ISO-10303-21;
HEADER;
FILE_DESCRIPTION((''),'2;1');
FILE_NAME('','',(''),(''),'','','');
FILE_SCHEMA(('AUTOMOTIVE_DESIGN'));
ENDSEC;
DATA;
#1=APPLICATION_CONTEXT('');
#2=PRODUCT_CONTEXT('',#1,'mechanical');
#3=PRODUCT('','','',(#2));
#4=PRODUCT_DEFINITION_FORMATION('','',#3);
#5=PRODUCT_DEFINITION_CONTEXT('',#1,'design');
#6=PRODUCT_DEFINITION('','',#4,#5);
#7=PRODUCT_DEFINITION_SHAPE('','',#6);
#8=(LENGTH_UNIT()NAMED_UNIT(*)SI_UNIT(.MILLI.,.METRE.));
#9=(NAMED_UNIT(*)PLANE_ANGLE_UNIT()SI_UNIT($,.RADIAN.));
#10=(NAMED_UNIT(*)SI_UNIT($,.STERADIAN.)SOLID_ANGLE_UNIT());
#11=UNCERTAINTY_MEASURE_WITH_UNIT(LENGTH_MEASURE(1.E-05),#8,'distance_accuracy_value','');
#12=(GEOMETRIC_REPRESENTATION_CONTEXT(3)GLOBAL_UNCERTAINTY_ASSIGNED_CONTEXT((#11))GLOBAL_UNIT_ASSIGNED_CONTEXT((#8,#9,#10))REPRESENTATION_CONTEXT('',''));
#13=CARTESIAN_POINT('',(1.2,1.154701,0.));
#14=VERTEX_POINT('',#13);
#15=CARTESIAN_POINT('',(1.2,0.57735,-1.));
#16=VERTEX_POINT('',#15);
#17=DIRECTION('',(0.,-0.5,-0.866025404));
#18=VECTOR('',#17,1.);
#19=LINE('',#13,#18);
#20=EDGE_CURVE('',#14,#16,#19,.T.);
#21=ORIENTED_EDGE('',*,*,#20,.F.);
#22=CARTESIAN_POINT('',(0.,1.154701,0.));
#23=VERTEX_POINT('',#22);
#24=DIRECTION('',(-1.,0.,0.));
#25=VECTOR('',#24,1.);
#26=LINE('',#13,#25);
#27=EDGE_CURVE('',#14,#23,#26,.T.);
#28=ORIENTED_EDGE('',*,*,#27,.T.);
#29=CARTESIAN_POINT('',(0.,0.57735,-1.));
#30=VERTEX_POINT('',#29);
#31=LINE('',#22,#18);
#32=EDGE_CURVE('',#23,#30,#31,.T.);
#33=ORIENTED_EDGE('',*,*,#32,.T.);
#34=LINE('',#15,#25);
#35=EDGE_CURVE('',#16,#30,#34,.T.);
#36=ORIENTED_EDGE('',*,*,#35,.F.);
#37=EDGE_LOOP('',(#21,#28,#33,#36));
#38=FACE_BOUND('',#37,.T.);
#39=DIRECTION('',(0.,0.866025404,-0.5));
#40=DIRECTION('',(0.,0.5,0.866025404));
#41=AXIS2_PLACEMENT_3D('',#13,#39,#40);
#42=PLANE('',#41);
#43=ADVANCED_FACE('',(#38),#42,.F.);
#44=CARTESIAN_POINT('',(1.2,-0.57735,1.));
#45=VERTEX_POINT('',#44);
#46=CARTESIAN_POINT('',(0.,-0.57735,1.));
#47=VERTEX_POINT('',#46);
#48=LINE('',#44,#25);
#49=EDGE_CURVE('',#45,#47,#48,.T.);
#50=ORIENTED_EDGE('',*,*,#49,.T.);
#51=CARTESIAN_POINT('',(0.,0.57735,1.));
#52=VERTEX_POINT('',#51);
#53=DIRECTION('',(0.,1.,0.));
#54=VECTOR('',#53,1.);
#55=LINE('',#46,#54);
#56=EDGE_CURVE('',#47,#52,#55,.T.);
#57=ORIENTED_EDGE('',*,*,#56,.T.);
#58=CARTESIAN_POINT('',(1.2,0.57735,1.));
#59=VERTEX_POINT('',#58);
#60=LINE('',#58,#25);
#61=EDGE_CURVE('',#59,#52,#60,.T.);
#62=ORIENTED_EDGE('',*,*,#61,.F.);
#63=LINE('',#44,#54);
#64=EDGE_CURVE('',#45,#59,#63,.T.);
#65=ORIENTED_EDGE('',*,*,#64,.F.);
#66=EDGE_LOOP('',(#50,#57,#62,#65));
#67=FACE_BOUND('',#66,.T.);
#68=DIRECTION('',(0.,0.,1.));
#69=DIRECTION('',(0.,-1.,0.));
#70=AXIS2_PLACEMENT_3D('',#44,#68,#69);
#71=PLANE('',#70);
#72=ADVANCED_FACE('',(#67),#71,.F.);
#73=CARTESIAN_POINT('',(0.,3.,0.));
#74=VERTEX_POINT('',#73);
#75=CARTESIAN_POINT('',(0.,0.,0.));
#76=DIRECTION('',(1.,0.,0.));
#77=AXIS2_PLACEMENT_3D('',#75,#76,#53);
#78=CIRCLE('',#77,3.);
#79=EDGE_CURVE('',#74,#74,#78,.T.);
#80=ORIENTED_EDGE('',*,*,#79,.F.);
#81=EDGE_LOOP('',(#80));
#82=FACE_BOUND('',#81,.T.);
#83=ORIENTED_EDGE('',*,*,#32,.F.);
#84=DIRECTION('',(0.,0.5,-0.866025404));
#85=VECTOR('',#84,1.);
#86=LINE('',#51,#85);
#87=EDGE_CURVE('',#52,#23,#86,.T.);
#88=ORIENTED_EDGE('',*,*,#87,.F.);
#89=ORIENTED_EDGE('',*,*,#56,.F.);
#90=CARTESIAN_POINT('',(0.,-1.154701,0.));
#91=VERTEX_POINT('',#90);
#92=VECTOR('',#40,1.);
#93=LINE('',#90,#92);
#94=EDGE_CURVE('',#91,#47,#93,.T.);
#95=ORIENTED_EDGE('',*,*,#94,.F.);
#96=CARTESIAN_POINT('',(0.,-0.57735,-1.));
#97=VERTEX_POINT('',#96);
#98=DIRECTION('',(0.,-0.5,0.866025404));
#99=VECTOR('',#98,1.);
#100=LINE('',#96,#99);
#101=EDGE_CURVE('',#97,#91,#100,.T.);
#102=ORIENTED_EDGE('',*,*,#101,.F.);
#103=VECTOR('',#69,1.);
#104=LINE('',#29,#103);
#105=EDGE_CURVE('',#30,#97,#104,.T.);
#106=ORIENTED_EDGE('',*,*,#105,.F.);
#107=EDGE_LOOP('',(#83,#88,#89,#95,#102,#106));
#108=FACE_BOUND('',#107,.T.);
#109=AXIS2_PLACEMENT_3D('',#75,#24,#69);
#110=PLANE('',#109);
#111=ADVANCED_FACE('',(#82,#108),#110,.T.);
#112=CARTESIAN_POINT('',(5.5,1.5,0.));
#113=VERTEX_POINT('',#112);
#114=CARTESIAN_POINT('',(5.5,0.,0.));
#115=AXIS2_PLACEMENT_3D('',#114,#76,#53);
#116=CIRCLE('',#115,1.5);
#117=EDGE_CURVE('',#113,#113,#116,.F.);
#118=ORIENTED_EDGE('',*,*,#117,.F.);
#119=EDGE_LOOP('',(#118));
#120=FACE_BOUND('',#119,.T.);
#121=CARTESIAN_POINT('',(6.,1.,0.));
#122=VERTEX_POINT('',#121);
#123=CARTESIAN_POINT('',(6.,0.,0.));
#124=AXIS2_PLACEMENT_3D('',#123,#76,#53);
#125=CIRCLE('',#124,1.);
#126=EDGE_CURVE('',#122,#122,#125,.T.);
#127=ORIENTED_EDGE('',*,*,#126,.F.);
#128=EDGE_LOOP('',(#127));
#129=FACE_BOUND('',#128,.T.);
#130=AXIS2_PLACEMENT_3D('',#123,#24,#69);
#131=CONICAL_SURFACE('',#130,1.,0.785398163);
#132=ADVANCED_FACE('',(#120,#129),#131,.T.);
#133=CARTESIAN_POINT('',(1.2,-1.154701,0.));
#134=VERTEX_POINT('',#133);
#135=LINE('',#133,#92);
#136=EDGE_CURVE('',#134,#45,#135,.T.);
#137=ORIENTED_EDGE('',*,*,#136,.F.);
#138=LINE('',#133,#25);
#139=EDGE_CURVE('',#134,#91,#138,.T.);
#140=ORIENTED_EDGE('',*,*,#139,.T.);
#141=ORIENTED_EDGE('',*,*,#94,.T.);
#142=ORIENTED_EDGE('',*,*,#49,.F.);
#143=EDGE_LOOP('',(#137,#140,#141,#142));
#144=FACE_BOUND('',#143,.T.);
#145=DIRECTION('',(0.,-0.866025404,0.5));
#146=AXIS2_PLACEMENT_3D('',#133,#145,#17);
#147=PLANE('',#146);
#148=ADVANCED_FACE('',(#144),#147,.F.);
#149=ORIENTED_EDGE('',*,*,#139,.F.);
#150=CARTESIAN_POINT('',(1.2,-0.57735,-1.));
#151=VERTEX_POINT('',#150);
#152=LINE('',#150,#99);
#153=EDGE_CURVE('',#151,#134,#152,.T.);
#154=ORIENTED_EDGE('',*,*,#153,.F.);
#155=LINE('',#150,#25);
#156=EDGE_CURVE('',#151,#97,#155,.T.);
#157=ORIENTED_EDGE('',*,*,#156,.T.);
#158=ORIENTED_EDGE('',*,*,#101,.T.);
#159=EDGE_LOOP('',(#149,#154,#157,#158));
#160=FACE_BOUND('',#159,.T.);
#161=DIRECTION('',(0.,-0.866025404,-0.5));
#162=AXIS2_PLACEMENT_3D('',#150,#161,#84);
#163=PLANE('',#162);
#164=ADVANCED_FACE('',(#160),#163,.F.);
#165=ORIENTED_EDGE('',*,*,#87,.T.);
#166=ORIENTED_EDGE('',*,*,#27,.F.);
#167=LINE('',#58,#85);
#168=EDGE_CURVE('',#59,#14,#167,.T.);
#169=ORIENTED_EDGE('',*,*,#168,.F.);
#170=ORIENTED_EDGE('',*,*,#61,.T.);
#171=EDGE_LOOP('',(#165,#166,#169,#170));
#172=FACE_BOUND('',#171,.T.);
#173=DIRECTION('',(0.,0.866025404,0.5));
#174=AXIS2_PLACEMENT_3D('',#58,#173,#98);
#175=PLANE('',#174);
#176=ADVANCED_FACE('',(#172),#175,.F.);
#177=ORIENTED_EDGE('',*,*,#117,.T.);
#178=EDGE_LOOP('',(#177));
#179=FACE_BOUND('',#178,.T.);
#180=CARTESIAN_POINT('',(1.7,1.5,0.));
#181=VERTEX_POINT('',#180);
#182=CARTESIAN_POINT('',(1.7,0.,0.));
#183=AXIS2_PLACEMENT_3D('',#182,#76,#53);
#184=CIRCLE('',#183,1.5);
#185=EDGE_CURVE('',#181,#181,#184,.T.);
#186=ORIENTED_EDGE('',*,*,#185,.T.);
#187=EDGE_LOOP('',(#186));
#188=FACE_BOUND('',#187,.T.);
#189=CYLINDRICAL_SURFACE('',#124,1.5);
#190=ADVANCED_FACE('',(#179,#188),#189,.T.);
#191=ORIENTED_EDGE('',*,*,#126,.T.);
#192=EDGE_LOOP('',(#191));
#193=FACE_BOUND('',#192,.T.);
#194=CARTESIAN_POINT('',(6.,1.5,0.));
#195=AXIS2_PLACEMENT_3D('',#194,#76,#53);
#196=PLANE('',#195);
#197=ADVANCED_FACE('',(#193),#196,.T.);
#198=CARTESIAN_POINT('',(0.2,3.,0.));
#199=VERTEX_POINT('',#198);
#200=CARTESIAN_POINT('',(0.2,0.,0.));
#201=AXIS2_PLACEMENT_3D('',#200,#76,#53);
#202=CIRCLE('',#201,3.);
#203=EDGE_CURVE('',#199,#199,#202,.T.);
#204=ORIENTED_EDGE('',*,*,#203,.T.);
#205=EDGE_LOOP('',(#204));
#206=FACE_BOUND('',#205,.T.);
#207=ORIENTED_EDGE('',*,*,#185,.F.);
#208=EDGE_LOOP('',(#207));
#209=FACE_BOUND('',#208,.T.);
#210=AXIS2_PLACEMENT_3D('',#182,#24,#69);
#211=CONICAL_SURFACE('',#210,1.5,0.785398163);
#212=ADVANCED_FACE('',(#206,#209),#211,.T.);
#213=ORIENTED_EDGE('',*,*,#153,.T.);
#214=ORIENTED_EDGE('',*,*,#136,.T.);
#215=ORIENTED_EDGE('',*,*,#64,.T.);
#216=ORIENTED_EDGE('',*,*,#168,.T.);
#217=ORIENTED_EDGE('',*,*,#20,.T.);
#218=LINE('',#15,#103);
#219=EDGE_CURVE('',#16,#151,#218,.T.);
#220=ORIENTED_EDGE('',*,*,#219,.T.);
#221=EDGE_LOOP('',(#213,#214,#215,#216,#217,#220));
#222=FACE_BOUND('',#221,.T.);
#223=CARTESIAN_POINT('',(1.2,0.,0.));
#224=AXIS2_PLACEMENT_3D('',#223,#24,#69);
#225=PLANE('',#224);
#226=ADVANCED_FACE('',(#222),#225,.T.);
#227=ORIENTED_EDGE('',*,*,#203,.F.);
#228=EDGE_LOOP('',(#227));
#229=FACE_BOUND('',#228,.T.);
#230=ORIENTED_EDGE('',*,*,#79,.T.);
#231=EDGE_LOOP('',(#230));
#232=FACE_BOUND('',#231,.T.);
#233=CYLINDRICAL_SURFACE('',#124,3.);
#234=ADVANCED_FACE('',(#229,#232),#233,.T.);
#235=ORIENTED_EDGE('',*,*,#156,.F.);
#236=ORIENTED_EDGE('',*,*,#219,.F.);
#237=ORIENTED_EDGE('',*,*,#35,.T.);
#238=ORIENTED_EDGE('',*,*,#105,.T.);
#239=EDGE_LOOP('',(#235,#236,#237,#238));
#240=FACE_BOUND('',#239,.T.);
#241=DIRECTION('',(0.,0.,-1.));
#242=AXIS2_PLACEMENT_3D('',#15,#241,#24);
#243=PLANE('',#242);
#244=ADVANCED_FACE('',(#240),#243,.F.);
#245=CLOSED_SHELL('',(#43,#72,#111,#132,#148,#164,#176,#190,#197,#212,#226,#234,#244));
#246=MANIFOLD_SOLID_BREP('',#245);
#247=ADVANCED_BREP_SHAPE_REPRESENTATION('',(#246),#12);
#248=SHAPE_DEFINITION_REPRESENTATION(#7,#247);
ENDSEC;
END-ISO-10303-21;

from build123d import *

# Parameters (mm, degrees)
CHANFREIN1_SIZE         = 0.5
ENL_V_MAT_EXTRU_1_DEPTH = 1.2


with BuildPart() as part:
    # Esquisse1 → Révolution1 (revolve)
    with BuildSketch(Plane.XY):
        Polygon((0, 0), (0, 3), (0.2, 3), (1.7, 1.5), (6, 1.5), (6, 0), align=None)
    revolve(axis=Axis((6, 0, 0), (-1, 0, 0)))

    # Chanfrein1
    chanfrein1_edges = [part.edges().sort_by_distance(p)[0] for p in [
        (6, -1.5, 0),
    ]]
    chamfer(chanfrein1_edges, length=CHANFREIN1_SIZE)

    # Esquisse2 → Enlèv. mat.-Extru.1 (cut)
    with BuildSketch(Plane.ZY):
        Polygon((0, 1.154700538), (-1, 0.577350269), (-1, -0.577350269), (0, -1.154700538), (1, -0.577350269), (1, 0.577350269), align=None)
    extrude(amount=-ENL_V_MAT_EXTRU_1_DEPTH, mode=Mode.SUBTRACT)


solid = part.part
